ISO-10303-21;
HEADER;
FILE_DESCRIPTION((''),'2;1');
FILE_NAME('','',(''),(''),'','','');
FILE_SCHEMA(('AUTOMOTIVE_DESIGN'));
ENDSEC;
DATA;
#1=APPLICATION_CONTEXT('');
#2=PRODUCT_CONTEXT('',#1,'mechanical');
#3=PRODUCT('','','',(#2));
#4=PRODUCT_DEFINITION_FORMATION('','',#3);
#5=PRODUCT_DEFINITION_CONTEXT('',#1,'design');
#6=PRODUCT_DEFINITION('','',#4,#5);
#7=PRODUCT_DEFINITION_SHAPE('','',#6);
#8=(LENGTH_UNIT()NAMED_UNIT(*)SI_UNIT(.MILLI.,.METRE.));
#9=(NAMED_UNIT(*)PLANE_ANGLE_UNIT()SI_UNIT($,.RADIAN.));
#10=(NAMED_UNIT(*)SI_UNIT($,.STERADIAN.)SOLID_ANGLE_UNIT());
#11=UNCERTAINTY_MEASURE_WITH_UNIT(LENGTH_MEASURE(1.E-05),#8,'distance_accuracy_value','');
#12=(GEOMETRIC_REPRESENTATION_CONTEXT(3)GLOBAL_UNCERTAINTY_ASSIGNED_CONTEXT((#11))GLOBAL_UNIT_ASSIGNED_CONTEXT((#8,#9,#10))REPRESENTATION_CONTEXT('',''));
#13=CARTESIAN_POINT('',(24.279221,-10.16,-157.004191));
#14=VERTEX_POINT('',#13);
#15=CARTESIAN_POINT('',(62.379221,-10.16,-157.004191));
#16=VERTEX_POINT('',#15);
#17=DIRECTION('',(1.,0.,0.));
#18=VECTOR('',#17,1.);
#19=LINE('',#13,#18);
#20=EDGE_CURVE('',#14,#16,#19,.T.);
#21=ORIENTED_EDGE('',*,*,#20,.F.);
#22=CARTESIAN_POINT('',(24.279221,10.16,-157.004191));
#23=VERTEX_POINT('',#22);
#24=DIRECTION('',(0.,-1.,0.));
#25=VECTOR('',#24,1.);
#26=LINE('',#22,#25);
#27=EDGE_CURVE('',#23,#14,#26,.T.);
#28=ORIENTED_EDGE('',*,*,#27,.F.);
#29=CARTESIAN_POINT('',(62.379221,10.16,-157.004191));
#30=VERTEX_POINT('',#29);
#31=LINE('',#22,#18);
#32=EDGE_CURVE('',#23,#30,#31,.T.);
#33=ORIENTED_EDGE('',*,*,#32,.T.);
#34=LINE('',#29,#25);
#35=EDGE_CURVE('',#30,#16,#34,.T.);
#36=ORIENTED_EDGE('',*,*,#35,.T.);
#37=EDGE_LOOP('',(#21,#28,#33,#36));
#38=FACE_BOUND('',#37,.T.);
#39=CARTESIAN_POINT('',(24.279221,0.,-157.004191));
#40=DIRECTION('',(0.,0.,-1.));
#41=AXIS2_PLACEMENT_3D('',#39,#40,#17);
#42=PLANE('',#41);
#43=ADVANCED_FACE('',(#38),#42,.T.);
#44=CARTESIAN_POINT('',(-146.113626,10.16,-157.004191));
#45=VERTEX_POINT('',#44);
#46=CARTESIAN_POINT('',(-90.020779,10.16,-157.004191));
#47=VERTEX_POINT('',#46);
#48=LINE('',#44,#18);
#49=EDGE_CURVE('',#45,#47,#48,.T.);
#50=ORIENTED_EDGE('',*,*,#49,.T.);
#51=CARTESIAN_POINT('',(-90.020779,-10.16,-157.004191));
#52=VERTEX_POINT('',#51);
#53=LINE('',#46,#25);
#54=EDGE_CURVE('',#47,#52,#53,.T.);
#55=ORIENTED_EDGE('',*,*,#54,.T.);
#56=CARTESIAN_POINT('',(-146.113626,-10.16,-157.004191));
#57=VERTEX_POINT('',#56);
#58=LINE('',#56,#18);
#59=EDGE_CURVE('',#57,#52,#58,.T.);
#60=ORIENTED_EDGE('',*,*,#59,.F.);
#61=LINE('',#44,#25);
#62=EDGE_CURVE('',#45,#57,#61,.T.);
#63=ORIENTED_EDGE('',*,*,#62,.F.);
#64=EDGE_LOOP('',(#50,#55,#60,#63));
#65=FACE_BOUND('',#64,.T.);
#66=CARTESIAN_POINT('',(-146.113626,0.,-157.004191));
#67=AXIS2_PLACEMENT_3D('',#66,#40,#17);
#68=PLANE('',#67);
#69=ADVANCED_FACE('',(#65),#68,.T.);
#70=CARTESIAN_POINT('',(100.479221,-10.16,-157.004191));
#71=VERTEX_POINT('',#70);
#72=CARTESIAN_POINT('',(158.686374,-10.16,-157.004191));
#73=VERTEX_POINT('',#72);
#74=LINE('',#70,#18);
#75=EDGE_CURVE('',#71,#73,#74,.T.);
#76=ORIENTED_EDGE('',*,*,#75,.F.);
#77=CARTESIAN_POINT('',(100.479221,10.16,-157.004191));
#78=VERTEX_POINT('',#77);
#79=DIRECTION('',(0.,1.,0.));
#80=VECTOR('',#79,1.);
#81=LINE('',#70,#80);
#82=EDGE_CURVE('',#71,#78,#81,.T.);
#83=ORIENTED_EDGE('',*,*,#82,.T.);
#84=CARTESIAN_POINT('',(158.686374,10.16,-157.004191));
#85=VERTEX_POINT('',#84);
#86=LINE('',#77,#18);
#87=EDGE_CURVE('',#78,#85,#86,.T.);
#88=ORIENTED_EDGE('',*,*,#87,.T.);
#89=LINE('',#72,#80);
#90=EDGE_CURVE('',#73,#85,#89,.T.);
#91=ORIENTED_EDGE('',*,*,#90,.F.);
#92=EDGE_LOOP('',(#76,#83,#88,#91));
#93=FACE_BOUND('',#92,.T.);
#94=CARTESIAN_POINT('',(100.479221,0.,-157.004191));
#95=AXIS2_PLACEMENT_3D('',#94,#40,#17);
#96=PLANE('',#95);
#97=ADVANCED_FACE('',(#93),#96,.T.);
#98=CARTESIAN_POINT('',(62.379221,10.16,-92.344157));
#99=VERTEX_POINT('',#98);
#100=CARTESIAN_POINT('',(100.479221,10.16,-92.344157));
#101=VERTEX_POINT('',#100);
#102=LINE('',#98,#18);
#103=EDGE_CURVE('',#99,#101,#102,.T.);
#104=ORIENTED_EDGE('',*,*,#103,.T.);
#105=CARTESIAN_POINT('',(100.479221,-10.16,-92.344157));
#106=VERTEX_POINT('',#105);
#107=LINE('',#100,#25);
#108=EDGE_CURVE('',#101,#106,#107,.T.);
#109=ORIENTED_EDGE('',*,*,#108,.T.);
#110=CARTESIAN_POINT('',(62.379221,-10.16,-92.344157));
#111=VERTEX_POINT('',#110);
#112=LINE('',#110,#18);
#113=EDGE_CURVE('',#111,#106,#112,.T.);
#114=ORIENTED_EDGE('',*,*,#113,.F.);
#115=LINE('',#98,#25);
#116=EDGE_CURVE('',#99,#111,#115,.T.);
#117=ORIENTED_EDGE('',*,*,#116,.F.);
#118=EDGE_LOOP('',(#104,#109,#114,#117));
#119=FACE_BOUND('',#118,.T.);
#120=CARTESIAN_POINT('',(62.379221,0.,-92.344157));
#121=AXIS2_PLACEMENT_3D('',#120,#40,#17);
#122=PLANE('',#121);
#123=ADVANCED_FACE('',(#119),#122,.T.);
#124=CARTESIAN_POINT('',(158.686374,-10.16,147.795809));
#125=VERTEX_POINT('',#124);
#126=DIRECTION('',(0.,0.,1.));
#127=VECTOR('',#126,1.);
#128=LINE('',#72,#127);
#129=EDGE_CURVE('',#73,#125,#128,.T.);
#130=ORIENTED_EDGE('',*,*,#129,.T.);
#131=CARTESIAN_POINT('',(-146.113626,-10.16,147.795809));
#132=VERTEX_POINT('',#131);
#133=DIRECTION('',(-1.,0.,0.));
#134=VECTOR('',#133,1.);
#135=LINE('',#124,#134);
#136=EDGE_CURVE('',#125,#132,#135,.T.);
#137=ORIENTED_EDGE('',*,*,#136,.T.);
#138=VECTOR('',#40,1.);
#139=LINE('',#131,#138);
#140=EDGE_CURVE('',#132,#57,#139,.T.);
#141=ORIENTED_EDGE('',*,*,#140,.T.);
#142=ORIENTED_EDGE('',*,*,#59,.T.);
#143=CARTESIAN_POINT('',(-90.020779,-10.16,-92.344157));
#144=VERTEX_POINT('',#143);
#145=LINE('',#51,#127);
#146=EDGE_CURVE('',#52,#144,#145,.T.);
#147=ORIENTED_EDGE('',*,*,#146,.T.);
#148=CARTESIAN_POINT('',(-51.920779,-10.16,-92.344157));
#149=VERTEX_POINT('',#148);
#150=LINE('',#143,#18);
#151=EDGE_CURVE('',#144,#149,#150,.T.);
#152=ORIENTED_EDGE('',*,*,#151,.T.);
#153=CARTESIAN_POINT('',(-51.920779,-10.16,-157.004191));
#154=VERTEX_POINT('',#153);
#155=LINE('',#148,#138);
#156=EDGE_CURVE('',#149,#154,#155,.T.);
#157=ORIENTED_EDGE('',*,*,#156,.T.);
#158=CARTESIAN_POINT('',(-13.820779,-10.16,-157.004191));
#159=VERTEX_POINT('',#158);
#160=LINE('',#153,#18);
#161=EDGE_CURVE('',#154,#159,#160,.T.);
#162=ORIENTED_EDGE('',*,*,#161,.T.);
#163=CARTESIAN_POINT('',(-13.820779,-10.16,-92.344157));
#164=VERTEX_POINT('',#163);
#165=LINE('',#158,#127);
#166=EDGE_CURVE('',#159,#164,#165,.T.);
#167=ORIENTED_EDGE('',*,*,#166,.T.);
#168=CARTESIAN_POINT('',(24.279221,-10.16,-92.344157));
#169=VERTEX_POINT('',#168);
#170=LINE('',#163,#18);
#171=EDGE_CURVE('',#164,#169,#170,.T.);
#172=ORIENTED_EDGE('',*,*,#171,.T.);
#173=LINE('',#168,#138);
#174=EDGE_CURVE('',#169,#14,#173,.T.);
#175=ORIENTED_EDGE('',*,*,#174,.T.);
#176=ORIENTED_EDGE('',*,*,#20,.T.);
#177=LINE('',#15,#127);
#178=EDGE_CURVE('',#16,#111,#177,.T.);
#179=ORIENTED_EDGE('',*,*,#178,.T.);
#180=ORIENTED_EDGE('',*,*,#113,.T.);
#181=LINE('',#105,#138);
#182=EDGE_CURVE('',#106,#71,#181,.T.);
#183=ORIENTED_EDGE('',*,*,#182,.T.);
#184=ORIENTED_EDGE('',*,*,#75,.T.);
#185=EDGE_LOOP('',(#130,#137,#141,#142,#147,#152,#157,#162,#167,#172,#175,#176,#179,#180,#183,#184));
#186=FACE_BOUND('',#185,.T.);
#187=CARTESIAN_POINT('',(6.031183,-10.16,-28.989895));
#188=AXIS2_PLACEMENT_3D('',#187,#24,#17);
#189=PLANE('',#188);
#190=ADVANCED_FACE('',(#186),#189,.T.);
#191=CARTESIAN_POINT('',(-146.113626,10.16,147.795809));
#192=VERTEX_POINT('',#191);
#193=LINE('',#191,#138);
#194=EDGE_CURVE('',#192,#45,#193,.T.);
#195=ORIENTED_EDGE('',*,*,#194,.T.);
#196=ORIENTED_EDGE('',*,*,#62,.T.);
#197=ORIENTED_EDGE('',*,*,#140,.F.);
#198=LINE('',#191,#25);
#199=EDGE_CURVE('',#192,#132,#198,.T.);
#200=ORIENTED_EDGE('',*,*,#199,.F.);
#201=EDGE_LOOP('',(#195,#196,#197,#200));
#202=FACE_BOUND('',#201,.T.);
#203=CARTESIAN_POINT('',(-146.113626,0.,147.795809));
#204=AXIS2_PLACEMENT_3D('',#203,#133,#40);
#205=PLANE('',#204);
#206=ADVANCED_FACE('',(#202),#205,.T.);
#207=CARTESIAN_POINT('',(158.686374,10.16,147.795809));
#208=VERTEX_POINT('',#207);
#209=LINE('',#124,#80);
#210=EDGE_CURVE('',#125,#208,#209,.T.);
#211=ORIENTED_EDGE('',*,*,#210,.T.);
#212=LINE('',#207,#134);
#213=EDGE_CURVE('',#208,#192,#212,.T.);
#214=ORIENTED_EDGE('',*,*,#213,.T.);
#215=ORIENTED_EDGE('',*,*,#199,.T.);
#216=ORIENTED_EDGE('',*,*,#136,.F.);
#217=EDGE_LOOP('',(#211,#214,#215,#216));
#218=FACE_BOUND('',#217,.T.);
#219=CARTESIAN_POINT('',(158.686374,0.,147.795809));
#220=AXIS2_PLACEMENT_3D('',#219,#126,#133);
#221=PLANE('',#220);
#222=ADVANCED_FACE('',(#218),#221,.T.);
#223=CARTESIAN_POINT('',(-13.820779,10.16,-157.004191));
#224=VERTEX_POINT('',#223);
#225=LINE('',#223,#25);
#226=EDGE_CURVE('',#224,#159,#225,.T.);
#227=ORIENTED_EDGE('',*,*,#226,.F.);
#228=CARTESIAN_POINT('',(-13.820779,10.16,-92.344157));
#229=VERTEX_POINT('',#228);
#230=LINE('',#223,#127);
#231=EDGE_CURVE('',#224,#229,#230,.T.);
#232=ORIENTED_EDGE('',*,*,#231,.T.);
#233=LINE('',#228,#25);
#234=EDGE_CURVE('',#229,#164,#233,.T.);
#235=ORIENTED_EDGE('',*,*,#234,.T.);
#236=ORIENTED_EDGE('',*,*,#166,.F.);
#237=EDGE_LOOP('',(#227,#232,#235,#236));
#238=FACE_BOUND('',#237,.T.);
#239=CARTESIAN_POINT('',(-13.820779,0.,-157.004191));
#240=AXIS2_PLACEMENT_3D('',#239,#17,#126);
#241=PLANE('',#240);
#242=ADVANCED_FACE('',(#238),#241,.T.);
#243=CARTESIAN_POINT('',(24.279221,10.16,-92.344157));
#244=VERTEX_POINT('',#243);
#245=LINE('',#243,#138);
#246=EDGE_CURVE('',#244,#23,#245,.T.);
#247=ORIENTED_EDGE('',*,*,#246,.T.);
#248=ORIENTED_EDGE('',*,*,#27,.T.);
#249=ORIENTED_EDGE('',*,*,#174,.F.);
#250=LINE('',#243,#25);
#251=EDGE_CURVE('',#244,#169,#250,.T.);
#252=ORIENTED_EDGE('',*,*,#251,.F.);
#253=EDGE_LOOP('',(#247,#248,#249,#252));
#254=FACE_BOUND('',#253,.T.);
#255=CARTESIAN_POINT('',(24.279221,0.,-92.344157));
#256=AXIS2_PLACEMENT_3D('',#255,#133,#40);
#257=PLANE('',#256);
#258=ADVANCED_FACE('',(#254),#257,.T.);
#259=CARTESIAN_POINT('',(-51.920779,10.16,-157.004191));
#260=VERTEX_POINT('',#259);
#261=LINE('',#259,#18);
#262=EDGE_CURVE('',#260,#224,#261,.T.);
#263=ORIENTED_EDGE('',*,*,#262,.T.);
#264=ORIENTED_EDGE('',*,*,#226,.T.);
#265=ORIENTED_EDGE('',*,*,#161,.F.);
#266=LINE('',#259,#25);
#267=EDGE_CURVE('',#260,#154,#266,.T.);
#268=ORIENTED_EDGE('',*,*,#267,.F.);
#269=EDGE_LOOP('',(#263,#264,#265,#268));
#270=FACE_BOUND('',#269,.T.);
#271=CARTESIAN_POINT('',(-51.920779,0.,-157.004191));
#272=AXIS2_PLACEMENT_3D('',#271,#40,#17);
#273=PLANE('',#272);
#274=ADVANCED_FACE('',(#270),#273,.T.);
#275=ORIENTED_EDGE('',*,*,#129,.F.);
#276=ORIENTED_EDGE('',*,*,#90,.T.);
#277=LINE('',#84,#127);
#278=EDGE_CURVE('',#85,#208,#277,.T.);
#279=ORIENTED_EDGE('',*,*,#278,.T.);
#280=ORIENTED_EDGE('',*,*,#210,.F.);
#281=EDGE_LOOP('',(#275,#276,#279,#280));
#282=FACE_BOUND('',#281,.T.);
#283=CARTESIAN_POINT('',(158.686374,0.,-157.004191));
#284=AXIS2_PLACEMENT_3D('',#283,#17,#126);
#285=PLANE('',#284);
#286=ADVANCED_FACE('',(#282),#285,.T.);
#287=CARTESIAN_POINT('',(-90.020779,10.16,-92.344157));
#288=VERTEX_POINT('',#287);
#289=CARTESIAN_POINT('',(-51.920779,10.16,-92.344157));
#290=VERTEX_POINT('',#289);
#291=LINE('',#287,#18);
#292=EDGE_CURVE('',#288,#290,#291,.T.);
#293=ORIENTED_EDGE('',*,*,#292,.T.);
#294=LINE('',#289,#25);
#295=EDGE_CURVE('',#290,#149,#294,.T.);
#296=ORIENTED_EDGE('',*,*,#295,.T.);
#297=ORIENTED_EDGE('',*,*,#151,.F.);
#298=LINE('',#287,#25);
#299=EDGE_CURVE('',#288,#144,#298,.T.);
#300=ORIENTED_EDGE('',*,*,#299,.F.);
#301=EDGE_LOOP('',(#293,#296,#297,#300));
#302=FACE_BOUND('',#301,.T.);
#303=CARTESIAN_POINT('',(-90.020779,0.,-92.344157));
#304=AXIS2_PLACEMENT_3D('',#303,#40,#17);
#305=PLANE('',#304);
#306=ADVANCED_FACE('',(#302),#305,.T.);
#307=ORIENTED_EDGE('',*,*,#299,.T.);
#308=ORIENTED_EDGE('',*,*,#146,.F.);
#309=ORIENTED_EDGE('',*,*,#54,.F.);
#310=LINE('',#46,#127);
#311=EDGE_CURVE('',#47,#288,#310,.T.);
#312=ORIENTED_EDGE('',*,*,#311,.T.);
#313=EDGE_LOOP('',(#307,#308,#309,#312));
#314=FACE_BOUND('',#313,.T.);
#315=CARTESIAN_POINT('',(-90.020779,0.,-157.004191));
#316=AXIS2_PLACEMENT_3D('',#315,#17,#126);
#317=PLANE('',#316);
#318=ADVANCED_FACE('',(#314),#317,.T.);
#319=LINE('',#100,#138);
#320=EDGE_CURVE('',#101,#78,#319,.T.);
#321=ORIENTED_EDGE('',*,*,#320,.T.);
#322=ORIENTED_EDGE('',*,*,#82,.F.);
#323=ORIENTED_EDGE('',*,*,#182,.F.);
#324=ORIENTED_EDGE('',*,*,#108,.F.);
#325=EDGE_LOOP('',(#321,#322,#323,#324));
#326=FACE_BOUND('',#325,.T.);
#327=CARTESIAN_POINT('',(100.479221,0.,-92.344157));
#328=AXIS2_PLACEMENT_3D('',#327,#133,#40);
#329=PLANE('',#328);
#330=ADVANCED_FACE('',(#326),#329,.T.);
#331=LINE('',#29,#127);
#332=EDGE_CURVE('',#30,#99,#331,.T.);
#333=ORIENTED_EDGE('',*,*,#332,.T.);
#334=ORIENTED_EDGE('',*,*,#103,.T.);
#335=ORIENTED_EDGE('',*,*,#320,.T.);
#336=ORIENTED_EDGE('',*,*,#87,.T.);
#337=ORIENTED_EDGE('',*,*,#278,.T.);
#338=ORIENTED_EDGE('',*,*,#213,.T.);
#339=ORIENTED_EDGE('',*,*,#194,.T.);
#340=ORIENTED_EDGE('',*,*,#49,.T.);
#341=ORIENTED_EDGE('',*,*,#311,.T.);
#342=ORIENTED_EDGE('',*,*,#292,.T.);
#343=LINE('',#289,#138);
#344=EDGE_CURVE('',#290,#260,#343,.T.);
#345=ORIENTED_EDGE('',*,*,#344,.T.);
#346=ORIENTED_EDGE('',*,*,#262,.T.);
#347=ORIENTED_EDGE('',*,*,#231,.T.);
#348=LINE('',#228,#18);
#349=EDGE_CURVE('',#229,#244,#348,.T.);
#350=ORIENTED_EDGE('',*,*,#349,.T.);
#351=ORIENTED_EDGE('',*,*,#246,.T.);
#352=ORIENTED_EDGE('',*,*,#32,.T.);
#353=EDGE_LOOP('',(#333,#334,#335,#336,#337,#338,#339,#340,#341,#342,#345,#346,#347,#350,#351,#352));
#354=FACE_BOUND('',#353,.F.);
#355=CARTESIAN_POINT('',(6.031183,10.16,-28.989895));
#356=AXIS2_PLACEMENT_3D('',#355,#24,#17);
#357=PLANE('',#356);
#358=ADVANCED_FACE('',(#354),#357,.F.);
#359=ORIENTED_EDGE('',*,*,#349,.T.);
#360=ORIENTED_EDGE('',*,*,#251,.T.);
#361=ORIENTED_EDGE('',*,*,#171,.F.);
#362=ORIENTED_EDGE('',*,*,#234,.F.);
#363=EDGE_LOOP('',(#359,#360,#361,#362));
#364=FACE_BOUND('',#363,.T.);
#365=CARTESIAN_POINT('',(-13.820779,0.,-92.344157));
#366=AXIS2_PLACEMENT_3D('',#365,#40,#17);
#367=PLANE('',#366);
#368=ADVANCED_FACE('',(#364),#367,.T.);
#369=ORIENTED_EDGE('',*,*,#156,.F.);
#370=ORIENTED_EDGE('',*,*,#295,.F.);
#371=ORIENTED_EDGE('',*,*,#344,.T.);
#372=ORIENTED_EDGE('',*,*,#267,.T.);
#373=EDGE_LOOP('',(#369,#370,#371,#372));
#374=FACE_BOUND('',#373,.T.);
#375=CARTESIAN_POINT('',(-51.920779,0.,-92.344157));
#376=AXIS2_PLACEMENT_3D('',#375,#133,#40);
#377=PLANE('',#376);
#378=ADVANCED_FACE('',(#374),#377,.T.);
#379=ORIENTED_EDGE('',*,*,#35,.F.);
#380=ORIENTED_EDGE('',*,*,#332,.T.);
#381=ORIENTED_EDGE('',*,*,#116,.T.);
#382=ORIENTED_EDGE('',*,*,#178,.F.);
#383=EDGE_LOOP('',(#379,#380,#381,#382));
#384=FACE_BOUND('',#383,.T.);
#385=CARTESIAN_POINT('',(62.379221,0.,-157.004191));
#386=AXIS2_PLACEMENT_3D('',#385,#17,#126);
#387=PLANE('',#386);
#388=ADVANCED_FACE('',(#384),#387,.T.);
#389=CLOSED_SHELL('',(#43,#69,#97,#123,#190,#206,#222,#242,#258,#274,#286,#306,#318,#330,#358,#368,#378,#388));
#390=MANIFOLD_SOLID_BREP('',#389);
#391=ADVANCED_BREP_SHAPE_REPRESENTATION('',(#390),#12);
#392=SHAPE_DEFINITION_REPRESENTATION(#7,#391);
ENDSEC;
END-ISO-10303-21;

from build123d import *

# Parameters (mm, degrees)
F1_DEPTH = 10.16


with BuildPart() as f1:
    # F0 (on Front) → F1 (new body, symmetric)
    with BuildSketch(Plane.XZ):
        Polygon((158.686374, 147.795809), (-146.113626, 147.795809), (-146.113626, -157.004191), (-90.020779, -157.004191), (-90.020779, -92.344157), (-51.920779, -92.344157), (-51.920779, -157.004191), (-13.820779, -157.004191), (-13.820779, -92.344157), (24.279221, -92.344157), (24.279221, -157.004191), (62.379221, -157.004191), (62.379221, -92.344157), (100.479221, -92.344157), (100.479221, -157.004191), (158.686374, -157.004191), align=None)
    extrude(amount=F1_DEPTH, both=True)


solid = f1.part
